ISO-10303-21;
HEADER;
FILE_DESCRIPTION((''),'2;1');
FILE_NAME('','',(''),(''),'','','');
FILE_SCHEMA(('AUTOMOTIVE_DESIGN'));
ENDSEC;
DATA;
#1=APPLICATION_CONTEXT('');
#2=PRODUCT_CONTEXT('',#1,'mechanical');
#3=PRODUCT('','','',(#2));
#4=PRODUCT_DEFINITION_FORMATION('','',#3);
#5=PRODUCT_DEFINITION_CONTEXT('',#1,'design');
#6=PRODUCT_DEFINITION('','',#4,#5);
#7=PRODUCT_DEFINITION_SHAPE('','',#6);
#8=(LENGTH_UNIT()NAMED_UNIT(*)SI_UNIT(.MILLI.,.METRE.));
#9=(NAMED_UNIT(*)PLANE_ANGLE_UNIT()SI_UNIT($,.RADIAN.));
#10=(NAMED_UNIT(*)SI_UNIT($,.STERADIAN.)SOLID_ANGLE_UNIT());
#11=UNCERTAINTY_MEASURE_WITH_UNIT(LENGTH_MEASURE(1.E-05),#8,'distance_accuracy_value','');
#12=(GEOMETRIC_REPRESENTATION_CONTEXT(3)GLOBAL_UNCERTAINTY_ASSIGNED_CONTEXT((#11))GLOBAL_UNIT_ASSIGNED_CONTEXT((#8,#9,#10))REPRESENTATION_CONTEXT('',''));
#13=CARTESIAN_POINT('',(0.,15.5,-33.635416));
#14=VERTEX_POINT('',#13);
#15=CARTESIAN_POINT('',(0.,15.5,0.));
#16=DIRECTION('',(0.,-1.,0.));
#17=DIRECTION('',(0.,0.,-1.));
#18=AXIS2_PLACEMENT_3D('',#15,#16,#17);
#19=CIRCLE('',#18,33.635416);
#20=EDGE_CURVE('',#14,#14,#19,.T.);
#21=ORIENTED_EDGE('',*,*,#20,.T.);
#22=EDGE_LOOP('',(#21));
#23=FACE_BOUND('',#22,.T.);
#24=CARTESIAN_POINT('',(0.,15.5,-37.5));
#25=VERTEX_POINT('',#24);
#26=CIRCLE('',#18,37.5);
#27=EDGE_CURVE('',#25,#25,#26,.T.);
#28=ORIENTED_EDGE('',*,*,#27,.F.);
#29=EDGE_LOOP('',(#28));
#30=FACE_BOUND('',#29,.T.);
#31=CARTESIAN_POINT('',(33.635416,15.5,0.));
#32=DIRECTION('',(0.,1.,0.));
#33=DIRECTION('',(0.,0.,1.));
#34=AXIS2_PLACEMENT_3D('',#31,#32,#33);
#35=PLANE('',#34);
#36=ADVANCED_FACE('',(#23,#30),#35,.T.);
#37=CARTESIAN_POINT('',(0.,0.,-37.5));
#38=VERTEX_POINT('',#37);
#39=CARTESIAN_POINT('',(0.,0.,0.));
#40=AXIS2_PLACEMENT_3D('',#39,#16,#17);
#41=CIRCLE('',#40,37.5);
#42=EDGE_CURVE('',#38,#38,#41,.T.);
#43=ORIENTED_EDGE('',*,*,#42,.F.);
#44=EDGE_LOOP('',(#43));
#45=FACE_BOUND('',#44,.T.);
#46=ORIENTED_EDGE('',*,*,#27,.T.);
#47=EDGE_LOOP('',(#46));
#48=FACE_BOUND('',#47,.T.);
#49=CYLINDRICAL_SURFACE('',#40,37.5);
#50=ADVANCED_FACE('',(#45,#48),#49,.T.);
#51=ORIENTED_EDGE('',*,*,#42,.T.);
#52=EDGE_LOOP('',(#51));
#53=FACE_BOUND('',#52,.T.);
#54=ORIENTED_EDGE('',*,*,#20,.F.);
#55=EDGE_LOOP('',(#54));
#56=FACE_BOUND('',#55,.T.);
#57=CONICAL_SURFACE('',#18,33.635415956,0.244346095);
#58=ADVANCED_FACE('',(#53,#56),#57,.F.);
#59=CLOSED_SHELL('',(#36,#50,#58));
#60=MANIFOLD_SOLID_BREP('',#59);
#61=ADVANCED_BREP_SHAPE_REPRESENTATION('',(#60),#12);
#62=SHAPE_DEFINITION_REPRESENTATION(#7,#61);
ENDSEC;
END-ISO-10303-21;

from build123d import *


with BuildPart() as part:
    # Sketch1 → Revolve1 (revolve)
    with BuildSketch(Plane.XY):
        Polygon((37.5, 0), (33.635415956, 15.5), (37.5, 15.5), align=None)
    revolve(axis=Axis((0, 0, 0), (0, 1, 0)))


solid = part.part
